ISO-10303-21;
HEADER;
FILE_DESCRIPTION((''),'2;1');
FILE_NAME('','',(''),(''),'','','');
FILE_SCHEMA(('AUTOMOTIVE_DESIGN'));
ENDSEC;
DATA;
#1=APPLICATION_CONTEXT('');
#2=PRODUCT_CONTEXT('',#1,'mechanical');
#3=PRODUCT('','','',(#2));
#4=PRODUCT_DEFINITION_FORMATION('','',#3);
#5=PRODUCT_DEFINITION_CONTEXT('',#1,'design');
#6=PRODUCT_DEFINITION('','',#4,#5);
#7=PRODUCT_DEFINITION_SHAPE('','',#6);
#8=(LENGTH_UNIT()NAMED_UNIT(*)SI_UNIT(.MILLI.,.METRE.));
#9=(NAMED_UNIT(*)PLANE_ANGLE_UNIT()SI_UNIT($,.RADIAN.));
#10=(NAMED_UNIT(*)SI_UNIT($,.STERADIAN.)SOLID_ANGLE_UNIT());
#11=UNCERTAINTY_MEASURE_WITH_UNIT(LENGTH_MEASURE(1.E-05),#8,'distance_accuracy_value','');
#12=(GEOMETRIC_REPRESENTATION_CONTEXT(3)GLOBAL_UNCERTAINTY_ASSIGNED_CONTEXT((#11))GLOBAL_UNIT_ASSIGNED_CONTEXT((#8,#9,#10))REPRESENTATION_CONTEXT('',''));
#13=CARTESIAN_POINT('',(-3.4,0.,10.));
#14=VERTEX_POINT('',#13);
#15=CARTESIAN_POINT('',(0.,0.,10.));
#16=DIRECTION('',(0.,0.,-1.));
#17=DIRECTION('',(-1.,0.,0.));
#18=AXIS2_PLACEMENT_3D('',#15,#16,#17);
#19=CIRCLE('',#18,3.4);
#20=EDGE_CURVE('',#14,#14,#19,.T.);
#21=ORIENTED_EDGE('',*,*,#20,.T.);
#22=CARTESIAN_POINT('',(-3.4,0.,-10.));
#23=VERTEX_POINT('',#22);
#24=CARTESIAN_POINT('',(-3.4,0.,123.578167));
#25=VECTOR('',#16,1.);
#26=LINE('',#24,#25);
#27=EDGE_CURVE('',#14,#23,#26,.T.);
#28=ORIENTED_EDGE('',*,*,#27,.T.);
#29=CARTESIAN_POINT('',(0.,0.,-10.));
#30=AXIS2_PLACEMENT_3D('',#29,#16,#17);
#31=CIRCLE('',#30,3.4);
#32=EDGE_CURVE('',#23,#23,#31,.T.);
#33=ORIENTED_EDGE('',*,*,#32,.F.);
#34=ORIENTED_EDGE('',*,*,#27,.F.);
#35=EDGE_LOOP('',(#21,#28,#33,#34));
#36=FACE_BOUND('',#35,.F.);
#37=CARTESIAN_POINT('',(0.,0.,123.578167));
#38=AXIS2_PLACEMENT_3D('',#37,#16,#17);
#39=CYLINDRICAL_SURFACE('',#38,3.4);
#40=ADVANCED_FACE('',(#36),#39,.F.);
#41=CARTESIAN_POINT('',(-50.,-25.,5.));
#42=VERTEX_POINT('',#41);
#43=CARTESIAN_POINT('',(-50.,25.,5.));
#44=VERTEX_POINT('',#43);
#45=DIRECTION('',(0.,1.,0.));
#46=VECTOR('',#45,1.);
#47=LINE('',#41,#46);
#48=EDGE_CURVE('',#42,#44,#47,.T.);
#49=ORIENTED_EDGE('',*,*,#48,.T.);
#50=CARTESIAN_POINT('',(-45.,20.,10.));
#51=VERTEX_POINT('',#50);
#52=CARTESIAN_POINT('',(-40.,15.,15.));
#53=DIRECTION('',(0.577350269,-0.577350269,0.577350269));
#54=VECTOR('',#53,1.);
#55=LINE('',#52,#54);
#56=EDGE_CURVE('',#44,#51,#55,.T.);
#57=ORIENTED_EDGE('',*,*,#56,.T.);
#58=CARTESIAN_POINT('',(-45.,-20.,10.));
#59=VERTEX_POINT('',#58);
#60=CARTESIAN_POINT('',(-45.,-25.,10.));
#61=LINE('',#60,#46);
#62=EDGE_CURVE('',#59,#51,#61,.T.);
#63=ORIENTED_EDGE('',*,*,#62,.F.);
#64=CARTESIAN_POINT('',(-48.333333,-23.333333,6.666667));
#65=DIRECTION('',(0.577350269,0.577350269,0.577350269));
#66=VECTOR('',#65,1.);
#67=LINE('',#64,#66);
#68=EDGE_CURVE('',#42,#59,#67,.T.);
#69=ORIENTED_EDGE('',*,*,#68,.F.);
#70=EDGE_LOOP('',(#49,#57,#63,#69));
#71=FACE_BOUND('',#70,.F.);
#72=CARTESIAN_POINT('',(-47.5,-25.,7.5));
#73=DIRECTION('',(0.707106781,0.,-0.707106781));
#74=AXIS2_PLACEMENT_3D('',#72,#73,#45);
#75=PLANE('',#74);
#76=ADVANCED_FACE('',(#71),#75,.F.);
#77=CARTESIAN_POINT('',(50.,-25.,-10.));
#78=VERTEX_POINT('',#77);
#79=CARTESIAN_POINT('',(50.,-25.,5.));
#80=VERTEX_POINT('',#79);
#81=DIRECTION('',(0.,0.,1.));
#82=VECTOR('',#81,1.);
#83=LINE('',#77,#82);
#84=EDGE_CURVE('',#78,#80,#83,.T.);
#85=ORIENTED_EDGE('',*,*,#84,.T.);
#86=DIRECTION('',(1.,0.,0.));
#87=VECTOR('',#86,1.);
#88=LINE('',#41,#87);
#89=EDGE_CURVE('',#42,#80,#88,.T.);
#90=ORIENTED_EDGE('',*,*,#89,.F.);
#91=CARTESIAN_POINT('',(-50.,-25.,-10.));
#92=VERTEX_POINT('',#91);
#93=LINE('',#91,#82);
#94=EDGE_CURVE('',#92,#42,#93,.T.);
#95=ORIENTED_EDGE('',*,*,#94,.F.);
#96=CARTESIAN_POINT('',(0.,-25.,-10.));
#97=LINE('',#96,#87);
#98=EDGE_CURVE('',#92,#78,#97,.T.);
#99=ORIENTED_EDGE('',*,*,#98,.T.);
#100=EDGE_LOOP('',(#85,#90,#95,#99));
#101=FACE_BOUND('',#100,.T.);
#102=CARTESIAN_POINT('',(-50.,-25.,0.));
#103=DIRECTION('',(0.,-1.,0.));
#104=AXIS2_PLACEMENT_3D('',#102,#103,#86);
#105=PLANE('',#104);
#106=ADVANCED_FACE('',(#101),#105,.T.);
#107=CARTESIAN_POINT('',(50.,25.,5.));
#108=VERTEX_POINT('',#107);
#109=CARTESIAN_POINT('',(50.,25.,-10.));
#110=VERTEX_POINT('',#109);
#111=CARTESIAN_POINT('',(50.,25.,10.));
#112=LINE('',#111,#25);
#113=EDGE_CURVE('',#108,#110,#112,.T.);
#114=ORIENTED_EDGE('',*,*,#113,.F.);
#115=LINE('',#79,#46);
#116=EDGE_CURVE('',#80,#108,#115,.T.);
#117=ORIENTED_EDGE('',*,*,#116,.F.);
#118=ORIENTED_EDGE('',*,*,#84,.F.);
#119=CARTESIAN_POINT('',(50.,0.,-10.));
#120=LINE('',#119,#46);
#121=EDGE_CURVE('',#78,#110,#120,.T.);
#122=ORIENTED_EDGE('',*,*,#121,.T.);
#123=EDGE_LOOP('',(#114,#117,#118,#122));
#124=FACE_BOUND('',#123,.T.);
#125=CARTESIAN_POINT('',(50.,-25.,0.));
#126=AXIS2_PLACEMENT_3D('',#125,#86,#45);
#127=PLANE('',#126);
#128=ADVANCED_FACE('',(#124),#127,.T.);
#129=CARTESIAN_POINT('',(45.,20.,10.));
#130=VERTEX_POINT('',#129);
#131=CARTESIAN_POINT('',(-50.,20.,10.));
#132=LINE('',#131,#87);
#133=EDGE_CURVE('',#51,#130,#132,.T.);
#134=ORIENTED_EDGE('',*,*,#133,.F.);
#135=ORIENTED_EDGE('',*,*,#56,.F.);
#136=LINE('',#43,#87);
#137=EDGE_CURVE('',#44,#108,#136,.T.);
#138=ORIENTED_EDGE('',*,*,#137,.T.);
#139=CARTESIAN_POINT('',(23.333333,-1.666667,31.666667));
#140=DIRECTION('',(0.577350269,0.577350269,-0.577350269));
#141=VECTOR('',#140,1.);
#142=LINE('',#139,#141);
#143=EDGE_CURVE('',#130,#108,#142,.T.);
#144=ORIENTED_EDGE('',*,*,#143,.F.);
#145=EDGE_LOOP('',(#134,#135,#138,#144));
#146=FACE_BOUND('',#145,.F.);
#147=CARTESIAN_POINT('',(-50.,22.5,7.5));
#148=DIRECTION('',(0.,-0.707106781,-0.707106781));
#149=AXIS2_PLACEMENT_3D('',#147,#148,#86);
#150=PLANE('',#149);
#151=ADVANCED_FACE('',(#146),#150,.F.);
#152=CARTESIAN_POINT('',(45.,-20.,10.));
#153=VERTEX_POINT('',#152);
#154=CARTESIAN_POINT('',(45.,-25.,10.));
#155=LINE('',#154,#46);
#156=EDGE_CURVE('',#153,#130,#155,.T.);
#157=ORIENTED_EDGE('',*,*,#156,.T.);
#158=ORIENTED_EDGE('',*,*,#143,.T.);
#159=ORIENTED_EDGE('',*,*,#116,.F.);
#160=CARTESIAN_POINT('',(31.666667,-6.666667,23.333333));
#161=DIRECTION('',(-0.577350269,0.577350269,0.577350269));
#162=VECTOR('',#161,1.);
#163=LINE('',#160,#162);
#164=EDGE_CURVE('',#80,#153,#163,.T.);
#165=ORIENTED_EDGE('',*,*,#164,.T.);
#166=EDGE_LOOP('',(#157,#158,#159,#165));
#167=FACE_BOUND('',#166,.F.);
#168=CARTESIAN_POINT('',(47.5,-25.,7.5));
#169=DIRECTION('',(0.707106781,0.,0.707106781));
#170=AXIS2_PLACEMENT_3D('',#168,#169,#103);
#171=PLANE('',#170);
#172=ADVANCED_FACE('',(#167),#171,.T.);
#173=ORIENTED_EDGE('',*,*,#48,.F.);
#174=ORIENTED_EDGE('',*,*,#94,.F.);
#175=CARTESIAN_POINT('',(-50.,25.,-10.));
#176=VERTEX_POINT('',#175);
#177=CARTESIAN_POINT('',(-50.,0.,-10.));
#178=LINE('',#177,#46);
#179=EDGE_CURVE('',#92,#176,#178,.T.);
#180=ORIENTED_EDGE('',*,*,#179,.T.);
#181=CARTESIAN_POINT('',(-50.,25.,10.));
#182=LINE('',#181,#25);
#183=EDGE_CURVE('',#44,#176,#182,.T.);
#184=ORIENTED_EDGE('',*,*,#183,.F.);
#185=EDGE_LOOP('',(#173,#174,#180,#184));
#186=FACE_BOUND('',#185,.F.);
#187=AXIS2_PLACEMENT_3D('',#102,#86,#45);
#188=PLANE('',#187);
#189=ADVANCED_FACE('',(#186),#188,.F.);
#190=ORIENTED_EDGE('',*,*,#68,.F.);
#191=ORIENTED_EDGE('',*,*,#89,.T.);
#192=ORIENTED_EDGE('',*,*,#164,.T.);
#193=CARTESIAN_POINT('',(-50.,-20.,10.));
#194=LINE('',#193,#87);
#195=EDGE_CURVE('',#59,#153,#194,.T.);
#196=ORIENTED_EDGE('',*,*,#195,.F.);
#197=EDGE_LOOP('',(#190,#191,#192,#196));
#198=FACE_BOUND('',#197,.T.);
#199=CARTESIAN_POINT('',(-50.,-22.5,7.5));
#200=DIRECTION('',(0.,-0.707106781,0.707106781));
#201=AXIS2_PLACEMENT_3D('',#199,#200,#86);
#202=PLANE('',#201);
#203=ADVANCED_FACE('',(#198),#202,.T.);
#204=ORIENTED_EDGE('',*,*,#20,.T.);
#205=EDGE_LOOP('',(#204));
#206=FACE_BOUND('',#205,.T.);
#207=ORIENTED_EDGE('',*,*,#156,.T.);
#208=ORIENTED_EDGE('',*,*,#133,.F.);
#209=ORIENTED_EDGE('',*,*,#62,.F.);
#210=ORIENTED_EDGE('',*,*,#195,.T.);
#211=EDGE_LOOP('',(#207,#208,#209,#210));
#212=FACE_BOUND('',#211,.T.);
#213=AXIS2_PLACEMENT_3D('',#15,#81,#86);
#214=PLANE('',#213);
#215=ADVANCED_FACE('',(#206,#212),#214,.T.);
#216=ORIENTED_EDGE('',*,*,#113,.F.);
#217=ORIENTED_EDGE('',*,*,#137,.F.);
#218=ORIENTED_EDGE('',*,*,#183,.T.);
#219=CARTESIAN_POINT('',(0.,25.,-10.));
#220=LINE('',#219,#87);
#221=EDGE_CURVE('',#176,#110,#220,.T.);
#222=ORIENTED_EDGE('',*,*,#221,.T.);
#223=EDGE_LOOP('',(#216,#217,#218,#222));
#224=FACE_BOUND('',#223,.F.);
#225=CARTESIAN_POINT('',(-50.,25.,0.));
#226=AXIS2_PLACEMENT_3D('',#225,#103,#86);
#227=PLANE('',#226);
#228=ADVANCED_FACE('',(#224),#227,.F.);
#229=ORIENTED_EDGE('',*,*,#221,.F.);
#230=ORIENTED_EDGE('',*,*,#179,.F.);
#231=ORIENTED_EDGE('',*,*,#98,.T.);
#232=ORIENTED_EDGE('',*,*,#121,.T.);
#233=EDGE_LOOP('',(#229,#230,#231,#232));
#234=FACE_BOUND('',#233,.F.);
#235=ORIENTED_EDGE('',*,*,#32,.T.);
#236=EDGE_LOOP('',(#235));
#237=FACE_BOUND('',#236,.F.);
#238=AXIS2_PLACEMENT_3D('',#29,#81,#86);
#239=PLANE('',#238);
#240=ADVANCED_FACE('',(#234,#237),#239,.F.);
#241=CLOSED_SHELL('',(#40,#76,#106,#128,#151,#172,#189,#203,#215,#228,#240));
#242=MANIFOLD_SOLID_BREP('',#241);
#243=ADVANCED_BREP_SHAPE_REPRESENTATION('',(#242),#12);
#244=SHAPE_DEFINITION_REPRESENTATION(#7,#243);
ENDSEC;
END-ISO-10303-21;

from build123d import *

# Parameters (mm, degrees)
F0_W     = 100
F0_H     = 50
F1_DEPTH = 10
F3_D     = 6.8
F4_SIZE  = 5


with BuildPart() as f1:
    # F0 (on Top) → F1 (new body, symmetric)
    with BuildSketch(Plane.XY):
        Rectangle(F0_W, F0_H)
    extrude(amount=F1_DEPTH, both=True)

    # F3 (through all)
    with Locations(Plane.XY.offset(10)):
        with Locations((0, 0)):
            Hole(F3_D / 2)

    # F4
    f4_edges = [f1.edges().sort_by_distance(p)[0] for p in [
        (-50, 0, 10),
        (0, -25, 10),
        (50, 0, 10),
        (0, 25, 10),
    ]]
    chamfer(f4_edges, length=F4_SIZE)


solid = f1.part
